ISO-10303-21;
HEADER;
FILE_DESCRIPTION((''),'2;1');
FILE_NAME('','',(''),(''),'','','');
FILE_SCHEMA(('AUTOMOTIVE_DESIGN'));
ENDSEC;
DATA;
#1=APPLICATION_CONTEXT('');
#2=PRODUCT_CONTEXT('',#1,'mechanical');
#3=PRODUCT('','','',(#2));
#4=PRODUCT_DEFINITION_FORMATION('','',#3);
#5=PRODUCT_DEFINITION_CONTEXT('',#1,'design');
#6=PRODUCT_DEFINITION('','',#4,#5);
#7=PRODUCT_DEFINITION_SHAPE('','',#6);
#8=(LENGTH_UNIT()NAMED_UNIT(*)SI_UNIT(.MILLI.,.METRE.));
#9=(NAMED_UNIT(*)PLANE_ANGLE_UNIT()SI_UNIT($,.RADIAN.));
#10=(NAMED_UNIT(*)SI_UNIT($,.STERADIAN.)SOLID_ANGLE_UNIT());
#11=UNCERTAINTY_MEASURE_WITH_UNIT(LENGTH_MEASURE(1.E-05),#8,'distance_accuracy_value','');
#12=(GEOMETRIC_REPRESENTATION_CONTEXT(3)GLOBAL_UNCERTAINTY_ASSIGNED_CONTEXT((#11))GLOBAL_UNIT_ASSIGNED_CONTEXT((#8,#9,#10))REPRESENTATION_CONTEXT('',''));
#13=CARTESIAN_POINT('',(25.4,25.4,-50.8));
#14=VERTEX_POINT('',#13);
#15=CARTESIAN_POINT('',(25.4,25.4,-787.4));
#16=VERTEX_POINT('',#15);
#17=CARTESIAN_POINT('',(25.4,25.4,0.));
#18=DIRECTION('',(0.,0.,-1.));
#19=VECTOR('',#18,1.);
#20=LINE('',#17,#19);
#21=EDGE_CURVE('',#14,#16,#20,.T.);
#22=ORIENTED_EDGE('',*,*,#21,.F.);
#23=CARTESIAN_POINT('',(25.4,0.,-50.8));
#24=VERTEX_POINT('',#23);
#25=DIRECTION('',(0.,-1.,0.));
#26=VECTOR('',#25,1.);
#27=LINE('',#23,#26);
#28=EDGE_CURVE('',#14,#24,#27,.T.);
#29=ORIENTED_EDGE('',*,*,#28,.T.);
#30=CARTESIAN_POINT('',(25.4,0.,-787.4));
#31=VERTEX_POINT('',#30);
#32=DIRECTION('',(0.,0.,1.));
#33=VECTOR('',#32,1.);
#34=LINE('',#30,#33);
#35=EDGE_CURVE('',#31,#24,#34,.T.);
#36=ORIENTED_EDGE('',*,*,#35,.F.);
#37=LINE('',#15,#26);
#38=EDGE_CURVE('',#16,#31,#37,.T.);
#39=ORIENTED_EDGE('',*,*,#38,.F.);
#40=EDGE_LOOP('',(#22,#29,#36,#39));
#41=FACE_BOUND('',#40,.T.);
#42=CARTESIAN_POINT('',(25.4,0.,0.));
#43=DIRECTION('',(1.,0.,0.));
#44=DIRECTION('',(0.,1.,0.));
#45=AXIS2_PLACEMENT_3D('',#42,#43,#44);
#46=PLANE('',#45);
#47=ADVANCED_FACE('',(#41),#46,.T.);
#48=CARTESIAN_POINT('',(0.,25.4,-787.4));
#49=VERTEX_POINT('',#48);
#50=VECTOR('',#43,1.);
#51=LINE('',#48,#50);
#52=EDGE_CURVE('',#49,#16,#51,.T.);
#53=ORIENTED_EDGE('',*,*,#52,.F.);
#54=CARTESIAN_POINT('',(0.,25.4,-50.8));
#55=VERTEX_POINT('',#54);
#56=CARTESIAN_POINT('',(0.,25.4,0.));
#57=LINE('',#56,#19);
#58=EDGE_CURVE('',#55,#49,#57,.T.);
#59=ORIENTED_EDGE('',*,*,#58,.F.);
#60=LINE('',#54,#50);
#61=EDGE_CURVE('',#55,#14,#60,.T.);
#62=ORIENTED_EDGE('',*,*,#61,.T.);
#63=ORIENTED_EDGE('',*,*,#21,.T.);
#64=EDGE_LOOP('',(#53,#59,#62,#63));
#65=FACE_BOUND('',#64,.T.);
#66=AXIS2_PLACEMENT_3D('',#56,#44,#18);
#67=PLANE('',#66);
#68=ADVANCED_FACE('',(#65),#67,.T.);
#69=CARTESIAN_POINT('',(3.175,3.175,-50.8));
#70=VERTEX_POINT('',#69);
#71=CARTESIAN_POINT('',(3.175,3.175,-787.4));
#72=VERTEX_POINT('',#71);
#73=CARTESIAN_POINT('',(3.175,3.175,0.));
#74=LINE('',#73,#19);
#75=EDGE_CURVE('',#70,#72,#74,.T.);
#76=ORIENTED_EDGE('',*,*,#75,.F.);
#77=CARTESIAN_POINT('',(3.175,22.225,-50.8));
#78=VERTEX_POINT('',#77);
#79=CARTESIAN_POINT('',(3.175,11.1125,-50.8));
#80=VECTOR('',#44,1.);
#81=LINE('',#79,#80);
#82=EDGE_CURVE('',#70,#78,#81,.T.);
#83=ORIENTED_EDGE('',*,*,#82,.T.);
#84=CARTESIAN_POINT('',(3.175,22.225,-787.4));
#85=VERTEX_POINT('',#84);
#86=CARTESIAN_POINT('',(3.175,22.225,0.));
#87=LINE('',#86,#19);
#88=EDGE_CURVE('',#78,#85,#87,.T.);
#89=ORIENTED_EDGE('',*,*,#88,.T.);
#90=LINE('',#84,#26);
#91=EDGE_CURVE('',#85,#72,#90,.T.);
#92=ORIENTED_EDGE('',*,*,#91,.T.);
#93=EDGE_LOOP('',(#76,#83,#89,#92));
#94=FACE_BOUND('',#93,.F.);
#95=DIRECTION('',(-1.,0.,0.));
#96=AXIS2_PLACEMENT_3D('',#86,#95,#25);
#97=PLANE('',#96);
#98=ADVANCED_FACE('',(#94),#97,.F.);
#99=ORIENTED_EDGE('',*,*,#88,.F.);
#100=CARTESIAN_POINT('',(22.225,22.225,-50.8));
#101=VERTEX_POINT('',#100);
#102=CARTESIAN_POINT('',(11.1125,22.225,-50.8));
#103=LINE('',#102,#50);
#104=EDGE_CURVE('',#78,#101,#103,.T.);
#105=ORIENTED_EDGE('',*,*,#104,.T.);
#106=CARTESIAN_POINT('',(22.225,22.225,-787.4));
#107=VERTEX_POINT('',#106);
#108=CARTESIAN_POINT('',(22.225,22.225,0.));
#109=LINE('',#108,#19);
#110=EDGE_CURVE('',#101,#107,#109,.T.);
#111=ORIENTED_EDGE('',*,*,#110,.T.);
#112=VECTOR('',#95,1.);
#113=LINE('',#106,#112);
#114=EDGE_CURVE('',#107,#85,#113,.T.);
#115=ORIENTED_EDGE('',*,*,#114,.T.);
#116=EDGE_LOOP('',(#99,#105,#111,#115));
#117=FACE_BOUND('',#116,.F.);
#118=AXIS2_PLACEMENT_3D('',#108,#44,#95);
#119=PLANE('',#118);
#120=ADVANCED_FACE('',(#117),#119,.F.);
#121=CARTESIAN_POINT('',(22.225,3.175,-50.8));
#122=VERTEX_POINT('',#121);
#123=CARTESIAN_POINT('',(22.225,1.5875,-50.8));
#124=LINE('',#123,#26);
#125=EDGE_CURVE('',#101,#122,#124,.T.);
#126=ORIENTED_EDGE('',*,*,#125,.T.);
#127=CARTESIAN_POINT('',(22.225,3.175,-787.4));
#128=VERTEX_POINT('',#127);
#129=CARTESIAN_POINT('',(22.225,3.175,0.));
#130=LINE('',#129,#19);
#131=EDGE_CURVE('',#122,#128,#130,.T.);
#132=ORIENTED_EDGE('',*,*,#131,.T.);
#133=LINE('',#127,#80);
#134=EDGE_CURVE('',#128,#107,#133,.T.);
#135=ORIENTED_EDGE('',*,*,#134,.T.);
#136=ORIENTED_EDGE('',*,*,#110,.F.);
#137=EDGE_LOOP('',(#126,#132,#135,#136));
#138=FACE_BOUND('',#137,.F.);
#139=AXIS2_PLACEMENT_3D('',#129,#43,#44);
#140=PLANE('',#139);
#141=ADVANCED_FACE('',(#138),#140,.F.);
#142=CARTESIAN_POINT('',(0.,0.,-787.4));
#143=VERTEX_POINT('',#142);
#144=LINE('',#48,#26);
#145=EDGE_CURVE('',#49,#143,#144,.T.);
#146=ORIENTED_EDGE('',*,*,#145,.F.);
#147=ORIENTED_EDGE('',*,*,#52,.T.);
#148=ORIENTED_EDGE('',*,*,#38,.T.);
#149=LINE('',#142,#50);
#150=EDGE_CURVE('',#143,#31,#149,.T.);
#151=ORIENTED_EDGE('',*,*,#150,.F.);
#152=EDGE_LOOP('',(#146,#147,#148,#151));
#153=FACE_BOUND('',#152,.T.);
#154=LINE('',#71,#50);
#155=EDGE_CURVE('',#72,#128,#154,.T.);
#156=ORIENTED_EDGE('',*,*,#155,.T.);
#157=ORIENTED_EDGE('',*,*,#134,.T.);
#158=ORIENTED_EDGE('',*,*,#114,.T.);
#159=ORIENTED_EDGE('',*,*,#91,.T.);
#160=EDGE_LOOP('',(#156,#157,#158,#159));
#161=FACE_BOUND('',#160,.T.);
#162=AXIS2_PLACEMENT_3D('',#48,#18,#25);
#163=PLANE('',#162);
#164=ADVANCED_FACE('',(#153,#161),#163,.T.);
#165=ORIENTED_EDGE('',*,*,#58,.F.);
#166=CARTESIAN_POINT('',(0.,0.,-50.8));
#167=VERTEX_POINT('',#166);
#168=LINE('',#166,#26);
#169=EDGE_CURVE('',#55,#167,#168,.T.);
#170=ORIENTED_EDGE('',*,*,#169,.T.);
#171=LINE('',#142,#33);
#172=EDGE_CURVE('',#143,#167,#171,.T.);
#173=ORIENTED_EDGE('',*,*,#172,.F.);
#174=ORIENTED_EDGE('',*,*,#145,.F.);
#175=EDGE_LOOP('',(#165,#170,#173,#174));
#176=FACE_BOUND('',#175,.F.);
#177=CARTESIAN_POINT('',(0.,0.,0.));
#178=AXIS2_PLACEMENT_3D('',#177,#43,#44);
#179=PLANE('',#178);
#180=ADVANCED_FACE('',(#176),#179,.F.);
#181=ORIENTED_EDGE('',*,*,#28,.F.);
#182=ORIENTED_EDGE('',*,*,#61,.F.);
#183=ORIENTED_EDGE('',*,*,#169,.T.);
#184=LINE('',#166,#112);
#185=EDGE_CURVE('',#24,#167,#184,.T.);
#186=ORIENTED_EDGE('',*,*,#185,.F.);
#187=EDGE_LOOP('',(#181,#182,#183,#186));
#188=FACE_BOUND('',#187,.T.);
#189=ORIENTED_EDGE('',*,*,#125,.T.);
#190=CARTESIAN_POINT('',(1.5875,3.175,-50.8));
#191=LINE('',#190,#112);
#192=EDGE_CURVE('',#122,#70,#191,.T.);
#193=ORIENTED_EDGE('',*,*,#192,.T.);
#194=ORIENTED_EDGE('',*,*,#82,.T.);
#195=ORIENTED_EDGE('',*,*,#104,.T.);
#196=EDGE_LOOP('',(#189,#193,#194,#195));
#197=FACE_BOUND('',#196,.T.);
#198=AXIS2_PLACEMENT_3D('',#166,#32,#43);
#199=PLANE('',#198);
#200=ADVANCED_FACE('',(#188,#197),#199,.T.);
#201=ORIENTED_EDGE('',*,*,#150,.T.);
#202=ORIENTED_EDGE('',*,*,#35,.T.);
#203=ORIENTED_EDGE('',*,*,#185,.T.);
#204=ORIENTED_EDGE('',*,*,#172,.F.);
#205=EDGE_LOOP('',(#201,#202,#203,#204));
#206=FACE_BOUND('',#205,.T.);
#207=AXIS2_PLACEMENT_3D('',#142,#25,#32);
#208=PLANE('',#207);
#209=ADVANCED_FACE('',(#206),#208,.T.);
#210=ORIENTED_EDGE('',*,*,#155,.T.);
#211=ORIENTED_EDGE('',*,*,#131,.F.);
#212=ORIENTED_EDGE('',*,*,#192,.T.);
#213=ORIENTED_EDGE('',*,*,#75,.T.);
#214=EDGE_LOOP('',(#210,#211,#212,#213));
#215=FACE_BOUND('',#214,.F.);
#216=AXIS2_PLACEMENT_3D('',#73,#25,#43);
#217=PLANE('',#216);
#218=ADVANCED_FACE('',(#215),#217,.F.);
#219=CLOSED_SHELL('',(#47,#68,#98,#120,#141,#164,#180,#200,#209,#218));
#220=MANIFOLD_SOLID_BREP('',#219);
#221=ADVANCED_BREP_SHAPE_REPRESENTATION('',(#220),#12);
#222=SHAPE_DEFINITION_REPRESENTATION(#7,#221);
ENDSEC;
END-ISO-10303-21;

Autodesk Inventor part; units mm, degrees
ref_plane "YZ Plane" through (0, 0, 0) normal (1, 0, 0) x (0, 1, 0)
ref_plane "XZ Plane" through (0, 0, 0) normal (0, 1, 0) x (-1, 0, 0)
ref_plane "XY Plane" through (0, 0, 0) normal (0, 0, 1) x (1, 0, 0)
sketch "Sketch1" plane through (0, 0, 0) normal (1, 0, 0) x (0, 1, 0)
  line L0 (0, 0) -> (25.4, 0)
  line L1 (25.4, 0) -> (25.4, -787.4)
  line L2 (25.4, -787.4) -> (0, -787.4)
  line L3 (0, -787.4) -> (0, 0)
  dimension "d0" = 787.4
  dimension "d1" = 25.4
extrude "Extrusion1" add sketch "Sketch1" along normal blind 25.4
sketch "Sketch2" plane through (0, 0, 0) normal (0, 0, 1) x (1, 0, 0)
  line L0 (3.175, 3.175) -> (22.225, 3.175)
  line L1 (22.225, 3.175) -> (22.225, 22.225)
  line L2 (22.225, 22.225) -> (3.175, 22.225)
  line L3 (3.175, 22.225) -> (3.175, 3.175)
  line L4 (0, 25.4) -> (25.4, 25.4) projected
  line L5 (0, 0) -> (0, 25.4) projected
  dimension "d4" = 3.175
  dimension "d5" = 3.175
  dimension "d6" = 19.05
  dimension "d7" = 19.05
extrude "Extrusion2" cut sketch "Sketch2" against normal blind 787.4
sketch "Sketch3" plane through (0, 0, 0) normal (0, 0, 1) x (1, 0, 0)
  line L0 (-24.3318, 33.3766) -> (65.9681, 33.3766)
  line L1 (65.9681, 33.3766) -> (65.9681, -31.7467)
  line L2 (65.9681, -31.7467) -> (-24.3318, -31.7467)
  line L3 (-24.3318, -31.7467) -> (-24.3318, 33.3766)
  point P0 (0, 0)
extrude "Extrusion3" cut sketch "Sketch3" against normal blind 50.8
properties part number "1by1by31" material "Aluminum 6061"
